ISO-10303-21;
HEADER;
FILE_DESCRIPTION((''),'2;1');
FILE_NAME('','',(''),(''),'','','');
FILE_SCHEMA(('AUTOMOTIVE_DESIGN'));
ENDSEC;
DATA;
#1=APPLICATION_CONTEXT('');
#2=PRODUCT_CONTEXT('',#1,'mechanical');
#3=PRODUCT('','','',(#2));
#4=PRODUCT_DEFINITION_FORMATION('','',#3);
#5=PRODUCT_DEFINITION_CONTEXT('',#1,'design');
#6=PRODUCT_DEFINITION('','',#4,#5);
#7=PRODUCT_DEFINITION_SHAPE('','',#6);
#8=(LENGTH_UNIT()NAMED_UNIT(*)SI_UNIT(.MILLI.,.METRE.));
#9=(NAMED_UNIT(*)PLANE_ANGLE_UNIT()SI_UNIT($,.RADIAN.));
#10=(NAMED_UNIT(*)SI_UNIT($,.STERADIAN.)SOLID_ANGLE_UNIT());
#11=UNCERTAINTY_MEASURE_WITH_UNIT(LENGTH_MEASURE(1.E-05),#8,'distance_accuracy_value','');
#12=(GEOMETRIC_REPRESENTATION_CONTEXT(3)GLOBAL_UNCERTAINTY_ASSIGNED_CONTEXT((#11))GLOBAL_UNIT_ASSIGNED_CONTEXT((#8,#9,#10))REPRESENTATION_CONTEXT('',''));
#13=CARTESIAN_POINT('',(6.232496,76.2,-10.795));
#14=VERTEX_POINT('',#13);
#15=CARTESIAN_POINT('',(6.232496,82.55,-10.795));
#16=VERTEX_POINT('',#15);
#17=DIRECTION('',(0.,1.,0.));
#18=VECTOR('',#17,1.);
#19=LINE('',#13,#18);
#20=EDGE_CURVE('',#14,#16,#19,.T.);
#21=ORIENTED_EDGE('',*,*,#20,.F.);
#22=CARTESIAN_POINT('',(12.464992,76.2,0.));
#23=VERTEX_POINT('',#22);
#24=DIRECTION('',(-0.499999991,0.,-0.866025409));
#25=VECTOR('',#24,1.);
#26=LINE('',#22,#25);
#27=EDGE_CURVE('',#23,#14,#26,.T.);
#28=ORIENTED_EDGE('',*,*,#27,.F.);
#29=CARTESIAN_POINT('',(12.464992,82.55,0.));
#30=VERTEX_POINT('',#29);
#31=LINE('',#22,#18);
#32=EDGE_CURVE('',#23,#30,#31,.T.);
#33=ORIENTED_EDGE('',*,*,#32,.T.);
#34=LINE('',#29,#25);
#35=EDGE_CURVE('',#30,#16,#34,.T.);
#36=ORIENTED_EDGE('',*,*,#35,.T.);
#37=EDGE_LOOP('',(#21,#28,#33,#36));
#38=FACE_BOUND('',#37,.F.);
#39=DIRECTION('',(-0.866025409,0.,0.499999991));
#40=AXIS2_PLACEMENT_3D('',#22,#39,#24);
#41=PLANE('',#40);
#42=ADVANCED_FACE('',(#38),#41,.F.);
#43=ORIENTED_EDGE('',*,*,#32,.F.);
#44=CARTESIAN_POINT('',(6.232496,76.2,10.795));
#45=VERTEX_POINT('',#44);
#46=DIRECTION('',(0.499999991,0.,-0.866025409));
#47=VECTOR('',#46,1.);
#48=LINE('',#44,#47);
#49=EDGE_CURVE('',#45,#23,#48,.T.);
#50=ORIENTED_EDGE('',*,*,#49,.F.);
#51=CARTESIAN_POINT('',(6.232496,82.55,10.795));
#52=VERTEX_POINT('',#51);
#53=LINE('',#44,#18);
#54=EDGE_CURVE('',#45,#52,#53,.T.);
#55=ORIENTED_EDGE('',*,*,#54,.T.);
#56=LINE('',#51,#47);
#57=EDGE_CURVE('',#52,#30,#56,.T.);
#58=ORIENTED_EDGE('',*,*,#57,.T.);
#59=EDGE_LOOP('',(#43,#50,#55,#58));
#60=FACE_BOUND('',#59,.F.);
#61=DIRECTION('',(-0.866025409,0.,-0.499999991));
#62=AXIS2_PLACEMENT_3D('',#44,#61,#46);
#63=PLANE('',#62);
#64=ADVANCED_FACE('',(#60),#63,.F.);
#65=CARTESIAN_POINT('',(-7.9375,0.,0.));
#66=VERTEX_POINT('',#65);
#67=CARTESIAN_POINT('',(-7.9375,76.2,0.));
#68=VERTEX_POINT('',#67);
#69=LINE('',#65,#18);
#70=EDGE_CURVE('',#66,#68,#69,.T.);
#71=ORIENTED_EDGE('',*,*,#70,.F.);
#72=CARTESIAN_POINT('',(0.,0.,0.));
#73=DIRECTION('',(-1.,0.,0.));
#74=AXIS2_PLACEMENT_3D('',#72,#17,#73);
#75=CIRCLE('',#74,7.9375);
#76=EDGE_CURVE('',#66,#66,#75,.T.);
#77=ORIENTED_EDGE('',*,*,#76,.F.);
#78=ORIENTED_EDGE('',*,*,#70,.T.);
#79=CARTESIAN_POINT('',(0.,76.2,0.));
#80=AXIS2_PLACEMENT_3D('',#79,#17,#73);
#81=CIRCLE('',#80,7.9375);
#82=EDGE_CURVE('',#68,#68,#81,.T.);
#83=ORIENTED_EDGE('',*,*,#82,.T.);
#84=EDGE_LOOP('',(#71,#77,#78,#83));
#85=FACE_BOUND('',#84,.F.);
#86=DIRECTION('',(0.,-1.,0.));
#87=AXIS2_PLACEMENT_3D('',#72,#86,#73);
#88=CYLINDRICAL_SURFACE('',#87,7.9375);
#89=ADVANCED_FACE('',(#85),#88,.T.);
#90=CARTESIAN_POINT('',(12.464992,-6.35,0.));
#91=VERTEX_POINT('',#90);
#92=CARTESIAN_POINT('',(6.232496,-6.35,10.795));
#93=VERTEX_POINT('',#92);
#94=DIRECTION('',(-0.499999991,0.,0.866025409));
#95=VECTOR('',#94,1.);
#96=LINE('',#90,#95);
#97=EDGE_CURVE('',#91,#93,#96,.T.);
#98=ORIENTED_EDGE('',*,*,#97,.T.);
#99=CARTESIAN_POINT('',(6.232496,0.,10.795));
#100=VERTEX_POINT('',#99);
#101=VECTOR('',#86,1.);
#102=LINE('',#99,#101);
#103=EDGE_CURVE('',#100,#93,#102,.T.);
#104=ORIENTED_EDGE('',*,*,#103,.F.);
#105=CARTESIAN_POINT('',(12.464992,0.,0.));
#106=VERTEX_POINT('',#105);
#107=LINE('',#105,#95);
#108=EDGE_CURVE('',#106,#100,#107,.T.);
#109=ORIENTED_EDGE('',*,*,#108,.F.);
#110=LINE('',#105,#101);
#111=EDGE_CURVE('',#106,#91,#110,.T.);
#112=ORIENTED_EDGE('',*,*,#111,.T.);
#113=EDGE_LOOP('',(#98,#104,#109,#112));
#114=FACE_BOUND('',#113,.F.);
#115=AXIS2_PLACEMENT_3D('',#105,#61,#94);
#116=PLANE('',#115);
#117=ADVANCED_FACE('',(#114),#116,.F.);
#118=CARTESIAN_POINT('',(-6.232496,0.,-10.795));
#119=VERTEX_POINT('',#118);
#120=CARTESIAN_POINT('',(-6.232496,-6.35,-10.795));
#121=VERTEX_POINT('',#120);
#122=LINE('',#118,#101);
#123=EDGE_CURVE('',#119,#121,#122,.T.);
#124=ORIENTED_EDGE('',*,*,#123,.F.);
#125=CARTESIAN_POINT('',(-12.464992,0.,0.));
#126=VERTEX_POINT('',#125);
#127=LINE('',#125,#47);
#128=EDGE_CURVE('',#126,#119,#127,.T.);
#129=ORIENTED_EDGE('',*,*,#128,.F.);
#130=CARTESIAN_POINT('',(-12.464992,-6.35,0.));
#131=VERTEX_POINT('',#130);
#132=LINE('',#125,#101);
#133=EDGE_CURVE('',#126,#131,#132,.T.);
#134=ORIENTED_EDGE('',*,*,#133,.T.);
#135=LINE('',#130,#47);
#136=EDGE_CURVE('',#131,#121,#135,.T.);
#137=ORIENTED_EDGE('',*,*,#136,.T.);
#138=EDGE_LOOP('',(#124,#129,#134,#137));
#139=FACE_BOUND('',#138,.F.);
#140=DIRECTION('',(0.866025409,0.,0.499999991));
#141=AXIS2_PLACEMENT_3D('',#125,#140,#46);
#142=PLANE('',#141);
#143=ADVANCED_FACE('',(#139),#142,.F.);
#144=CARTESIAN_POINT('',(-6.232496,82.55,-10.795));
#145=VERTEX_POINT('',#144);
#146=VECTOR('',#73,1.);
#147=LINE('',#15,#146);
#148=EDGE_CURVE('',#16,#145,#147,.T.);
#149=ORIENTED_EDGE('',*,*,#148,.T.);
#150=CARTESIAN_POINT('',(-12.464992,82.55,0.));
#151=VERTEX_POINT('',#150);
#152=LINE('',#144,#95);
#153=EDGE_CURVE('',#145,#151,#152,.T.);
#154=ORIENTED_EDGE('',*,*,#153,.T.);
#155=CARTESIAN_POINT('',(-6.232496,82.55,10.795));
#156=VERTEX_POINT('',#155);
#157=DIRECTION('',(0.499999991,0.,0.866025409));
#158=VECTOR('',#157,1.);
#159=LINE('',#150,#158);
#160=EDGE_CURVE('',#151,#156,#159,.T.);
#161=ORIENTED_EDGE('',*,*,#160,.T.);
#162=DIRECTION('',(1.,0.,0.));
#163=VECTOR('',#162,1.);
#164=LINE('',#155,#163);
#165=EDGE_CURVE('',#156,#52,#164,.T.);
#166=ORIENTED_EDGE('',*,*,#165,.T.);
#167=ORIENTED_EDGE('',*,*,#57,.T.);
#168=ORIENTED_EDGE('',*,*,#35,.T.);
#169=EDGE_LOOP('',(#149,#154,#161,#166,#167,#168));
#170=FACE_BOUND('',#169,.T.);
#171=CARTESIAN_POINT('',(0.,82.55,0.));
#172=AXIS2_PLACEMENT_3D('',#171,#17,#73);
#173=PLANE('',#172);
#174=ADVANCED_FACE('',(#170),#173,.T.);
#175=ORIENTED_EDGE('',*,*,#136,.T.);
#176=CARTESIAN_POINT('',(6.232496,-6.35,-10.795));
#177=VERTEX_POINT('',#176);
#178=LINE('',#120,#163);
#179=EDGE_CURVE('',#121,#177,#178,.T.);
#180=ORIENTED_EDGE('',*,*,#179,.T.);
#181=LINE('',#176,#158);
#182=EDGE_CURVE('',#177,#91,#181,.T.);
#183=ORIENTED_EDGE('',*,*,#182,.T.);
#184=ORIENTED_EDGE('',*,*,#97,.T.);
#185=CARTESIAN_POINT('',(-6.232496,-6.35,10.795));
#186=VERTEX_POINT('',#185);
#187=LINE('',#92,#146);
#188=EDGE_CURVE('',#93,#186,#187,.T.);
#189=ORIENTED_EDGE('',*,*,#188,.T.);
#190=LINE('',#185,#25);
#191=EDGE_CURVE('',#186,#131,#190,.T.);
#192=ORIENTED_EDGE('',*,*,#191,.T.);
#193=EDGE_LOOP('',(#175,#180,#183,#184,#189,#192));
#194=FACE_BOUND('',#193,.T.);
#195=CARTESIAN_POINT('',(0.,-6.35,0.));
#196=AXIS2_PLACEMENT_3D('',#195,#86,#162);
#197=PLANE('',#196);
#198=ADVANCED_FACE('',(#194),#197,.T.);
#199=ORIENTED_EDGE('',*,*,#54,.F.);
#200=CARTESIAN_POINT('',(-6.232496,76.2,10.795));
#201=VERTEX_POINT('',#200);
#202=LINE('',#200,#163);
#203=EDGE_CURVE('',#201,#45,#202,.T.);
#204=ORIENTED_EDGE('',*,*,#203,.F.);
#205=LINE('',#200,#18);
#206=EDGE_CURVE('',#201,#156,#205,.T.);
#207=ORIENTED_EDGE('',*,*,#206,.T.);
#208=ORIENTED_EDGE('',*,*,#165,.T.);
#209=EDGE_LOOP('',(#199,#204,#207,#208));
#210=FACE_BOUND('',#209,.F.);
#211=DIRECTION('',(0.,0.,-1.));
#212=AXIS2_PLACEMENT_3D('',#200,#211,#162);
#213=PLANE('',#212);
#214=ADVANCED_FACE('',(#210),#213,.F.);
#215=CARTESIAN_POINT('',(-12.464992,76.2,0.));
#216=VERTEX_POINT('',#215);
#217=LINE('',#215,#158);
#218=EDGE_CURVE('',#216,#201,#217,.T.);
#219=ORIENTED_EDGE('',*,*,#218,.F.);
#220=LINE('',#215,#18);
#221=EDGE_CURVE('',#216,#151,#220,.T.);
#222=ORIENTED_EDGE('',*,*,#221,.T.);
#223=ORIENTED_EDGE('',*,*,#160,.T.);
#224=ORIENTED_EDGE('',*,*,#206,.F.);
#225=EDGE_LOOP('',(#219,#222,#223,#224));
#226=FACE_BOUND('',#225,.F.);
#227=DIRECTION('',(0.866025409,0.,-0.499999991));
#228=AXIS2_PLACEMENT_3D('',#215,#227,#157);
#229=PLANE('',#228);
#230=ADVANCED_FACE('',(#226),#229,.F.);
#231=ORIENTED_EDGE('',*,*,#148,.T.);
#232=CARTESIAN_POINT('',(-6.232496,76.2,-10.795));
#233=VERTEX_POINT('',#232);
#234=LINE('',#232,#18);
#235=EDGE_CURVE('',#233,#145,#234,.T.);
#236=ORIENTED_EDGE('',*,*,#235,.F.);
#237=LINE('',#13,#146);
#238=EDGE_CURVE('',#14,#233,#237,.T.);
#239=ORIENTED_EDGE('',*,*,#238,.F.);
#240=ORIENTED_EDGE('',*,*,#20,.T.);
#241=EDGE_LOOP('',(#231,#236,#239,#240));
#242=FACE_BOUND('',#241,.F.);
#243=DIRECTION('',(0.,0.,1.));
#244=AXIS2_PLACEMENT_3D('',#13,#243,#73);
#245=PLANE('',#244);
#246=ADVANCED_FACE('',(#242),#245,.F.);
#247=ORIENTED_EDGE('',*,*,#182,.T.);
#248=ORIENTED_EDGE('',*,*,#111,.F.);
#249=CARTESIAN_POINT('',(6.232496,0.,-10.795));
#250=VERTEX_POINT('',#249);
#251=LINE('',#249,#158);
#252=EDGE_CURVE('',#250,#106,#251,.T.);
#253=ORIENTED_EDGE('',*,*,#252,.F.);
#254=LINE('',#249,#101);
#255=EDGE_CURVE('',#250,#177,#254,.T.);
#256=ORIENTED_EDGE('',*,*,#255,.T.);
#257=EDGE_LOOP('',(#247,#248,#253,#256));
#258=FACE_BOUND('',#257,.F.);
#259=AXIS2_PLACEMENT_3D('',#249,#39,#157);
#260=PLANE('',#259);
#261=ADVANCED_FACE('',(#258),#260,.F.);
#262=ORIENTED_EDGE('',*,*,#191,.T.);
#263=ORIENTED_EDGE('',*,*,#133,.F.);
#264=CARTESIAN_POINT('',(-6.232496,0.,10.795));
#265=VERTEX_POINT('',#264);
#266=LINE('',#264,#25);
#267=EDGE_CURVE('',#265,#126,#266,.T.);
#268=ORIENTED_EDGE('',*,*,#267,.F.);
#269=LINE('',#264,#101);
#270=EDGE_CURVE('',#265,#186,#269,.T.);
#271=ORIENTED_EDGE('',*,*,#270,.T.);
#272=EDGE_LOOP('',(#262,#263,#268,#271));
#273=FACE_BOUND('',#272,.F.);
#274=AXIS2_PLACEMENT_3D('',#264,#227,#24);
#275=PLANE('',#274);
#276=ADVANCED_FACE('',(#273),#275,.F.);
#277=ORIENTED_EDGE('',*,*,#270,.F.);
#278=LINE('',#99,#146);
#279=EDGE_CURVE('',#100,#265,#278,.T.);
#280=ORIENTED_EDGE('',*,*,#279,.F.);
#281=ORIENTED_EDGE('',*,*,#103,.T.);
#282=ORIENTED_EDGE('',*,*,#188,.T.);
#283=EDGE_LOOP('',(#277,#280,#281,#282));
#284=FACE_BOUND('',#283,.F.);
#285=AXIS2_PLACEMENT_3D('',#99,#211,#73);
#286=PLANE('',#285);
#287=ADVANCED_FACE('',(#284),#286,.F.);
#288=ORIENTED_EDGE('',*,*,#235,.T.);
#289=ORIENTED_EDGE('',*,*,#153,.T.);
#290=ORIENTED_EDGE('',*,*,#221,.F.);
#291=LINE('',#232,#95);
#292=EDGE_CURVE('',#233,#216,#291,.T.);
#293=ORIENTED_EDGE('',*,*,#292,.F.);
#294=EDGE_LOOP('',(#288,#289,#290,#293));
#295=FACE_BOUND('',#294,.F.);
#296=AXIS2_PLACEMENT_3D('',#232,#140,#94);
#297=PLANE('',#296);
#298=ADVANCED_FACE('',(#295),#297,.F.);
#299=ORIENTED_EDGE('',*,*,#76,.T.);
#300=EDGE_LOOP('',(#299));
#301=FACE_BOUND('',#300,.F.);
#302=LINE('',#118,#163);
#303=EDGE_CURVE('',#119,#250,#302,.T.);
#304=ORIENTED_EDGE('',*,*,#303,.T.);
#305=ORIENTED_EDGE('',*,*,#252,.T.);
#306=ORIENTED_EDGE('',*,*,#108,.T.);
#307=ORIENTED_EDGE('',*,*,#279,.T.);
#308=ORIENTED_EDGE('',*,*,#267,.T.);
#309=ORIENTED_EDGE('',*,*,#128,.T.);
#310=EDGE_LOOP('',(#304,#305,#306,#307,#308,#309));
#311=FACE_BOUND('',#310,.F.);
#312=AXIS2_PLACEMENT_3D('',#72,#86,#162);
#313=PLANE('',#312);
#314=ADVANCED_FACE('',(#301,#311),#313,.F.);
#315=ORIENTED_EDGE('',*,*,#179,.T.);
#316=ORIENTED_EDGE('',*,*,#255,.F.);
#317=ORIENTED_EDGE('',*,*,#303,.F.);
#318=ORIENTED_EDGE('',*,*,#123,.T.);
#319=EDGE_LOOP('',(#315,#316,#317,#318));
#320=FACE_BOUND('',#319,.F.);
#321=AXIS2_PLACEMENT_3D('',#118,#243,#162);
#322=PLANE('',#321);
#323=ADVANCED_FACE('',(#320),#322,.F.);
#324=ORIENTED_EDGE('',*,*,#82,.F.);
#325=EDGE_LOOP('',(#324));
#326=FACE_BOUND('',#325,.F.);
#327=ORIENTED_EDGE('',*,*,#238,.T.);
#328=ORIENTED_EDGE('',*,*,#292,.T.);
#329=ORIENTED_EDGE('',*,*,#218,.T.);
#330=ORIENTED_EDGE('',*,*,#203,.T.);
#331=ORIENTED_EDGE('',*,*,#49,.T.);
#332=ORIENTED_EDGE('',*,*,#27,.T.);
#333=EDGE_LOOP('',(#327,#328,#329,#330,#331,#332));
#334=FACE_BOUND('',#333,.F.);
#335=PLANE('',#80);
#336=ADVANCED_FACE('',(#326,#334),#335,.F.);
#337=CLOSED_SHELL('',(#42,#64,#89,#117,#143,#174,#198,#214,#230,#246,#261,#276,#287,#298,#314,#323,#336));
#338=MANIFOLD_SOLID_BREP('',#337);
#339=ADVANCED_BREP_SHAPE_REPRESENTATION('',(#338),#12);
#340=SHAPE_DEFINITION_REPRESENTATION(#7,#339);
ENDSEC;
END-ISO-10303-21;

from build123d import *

# Parameters (mm, degrees)
F1_DEPTH = 6.35
F2_R     = 7.9375
F3_DEPTH = 76.2
F4_R     = 7.9375
F5_DEPTH = 6.35


with BuildPart() as f1:
    # F0 (on Front) → F1 (new body)
    with BuildSketch(Plane.XZ):
        Polygon((12.464992, 0), (6.232496, 10.795), (-6.232496, 10.795), (-12.464992, 0), (-6.232496, -10.795), (6.232496, -10.795), align=None)
    extrude(amount=F1_DEPTH)

    # F2 (on face) → F3 (join)
    with BuildSketch(Plane(origin=(0, 0, 0), x_dir=(-1, 0, 0), z_dir=(0, 1, 0))):
        Circle(F2_R)
    extrude(amount=F3_DEPTH)

    # F4 (on face) → F5 (join)
    with BuildSketch(Plane(origin=(0, 76.2, 0), x_dir=(-1, 0, 0), z_dir=(0, 1, 0))):
        Polygon((12.464992, 0), (6.232496, 10.795), (-6.232496, 10.795), (-12.464992, 0), (-6.232496, -10.795), (6.232496, -10.795), align=None)
        Circle(F4_R, mode=Mode.SUBTRACT)
        Circle(F4_R)
    extrude(amount=F5_DEPTH)


solid = f1.part
